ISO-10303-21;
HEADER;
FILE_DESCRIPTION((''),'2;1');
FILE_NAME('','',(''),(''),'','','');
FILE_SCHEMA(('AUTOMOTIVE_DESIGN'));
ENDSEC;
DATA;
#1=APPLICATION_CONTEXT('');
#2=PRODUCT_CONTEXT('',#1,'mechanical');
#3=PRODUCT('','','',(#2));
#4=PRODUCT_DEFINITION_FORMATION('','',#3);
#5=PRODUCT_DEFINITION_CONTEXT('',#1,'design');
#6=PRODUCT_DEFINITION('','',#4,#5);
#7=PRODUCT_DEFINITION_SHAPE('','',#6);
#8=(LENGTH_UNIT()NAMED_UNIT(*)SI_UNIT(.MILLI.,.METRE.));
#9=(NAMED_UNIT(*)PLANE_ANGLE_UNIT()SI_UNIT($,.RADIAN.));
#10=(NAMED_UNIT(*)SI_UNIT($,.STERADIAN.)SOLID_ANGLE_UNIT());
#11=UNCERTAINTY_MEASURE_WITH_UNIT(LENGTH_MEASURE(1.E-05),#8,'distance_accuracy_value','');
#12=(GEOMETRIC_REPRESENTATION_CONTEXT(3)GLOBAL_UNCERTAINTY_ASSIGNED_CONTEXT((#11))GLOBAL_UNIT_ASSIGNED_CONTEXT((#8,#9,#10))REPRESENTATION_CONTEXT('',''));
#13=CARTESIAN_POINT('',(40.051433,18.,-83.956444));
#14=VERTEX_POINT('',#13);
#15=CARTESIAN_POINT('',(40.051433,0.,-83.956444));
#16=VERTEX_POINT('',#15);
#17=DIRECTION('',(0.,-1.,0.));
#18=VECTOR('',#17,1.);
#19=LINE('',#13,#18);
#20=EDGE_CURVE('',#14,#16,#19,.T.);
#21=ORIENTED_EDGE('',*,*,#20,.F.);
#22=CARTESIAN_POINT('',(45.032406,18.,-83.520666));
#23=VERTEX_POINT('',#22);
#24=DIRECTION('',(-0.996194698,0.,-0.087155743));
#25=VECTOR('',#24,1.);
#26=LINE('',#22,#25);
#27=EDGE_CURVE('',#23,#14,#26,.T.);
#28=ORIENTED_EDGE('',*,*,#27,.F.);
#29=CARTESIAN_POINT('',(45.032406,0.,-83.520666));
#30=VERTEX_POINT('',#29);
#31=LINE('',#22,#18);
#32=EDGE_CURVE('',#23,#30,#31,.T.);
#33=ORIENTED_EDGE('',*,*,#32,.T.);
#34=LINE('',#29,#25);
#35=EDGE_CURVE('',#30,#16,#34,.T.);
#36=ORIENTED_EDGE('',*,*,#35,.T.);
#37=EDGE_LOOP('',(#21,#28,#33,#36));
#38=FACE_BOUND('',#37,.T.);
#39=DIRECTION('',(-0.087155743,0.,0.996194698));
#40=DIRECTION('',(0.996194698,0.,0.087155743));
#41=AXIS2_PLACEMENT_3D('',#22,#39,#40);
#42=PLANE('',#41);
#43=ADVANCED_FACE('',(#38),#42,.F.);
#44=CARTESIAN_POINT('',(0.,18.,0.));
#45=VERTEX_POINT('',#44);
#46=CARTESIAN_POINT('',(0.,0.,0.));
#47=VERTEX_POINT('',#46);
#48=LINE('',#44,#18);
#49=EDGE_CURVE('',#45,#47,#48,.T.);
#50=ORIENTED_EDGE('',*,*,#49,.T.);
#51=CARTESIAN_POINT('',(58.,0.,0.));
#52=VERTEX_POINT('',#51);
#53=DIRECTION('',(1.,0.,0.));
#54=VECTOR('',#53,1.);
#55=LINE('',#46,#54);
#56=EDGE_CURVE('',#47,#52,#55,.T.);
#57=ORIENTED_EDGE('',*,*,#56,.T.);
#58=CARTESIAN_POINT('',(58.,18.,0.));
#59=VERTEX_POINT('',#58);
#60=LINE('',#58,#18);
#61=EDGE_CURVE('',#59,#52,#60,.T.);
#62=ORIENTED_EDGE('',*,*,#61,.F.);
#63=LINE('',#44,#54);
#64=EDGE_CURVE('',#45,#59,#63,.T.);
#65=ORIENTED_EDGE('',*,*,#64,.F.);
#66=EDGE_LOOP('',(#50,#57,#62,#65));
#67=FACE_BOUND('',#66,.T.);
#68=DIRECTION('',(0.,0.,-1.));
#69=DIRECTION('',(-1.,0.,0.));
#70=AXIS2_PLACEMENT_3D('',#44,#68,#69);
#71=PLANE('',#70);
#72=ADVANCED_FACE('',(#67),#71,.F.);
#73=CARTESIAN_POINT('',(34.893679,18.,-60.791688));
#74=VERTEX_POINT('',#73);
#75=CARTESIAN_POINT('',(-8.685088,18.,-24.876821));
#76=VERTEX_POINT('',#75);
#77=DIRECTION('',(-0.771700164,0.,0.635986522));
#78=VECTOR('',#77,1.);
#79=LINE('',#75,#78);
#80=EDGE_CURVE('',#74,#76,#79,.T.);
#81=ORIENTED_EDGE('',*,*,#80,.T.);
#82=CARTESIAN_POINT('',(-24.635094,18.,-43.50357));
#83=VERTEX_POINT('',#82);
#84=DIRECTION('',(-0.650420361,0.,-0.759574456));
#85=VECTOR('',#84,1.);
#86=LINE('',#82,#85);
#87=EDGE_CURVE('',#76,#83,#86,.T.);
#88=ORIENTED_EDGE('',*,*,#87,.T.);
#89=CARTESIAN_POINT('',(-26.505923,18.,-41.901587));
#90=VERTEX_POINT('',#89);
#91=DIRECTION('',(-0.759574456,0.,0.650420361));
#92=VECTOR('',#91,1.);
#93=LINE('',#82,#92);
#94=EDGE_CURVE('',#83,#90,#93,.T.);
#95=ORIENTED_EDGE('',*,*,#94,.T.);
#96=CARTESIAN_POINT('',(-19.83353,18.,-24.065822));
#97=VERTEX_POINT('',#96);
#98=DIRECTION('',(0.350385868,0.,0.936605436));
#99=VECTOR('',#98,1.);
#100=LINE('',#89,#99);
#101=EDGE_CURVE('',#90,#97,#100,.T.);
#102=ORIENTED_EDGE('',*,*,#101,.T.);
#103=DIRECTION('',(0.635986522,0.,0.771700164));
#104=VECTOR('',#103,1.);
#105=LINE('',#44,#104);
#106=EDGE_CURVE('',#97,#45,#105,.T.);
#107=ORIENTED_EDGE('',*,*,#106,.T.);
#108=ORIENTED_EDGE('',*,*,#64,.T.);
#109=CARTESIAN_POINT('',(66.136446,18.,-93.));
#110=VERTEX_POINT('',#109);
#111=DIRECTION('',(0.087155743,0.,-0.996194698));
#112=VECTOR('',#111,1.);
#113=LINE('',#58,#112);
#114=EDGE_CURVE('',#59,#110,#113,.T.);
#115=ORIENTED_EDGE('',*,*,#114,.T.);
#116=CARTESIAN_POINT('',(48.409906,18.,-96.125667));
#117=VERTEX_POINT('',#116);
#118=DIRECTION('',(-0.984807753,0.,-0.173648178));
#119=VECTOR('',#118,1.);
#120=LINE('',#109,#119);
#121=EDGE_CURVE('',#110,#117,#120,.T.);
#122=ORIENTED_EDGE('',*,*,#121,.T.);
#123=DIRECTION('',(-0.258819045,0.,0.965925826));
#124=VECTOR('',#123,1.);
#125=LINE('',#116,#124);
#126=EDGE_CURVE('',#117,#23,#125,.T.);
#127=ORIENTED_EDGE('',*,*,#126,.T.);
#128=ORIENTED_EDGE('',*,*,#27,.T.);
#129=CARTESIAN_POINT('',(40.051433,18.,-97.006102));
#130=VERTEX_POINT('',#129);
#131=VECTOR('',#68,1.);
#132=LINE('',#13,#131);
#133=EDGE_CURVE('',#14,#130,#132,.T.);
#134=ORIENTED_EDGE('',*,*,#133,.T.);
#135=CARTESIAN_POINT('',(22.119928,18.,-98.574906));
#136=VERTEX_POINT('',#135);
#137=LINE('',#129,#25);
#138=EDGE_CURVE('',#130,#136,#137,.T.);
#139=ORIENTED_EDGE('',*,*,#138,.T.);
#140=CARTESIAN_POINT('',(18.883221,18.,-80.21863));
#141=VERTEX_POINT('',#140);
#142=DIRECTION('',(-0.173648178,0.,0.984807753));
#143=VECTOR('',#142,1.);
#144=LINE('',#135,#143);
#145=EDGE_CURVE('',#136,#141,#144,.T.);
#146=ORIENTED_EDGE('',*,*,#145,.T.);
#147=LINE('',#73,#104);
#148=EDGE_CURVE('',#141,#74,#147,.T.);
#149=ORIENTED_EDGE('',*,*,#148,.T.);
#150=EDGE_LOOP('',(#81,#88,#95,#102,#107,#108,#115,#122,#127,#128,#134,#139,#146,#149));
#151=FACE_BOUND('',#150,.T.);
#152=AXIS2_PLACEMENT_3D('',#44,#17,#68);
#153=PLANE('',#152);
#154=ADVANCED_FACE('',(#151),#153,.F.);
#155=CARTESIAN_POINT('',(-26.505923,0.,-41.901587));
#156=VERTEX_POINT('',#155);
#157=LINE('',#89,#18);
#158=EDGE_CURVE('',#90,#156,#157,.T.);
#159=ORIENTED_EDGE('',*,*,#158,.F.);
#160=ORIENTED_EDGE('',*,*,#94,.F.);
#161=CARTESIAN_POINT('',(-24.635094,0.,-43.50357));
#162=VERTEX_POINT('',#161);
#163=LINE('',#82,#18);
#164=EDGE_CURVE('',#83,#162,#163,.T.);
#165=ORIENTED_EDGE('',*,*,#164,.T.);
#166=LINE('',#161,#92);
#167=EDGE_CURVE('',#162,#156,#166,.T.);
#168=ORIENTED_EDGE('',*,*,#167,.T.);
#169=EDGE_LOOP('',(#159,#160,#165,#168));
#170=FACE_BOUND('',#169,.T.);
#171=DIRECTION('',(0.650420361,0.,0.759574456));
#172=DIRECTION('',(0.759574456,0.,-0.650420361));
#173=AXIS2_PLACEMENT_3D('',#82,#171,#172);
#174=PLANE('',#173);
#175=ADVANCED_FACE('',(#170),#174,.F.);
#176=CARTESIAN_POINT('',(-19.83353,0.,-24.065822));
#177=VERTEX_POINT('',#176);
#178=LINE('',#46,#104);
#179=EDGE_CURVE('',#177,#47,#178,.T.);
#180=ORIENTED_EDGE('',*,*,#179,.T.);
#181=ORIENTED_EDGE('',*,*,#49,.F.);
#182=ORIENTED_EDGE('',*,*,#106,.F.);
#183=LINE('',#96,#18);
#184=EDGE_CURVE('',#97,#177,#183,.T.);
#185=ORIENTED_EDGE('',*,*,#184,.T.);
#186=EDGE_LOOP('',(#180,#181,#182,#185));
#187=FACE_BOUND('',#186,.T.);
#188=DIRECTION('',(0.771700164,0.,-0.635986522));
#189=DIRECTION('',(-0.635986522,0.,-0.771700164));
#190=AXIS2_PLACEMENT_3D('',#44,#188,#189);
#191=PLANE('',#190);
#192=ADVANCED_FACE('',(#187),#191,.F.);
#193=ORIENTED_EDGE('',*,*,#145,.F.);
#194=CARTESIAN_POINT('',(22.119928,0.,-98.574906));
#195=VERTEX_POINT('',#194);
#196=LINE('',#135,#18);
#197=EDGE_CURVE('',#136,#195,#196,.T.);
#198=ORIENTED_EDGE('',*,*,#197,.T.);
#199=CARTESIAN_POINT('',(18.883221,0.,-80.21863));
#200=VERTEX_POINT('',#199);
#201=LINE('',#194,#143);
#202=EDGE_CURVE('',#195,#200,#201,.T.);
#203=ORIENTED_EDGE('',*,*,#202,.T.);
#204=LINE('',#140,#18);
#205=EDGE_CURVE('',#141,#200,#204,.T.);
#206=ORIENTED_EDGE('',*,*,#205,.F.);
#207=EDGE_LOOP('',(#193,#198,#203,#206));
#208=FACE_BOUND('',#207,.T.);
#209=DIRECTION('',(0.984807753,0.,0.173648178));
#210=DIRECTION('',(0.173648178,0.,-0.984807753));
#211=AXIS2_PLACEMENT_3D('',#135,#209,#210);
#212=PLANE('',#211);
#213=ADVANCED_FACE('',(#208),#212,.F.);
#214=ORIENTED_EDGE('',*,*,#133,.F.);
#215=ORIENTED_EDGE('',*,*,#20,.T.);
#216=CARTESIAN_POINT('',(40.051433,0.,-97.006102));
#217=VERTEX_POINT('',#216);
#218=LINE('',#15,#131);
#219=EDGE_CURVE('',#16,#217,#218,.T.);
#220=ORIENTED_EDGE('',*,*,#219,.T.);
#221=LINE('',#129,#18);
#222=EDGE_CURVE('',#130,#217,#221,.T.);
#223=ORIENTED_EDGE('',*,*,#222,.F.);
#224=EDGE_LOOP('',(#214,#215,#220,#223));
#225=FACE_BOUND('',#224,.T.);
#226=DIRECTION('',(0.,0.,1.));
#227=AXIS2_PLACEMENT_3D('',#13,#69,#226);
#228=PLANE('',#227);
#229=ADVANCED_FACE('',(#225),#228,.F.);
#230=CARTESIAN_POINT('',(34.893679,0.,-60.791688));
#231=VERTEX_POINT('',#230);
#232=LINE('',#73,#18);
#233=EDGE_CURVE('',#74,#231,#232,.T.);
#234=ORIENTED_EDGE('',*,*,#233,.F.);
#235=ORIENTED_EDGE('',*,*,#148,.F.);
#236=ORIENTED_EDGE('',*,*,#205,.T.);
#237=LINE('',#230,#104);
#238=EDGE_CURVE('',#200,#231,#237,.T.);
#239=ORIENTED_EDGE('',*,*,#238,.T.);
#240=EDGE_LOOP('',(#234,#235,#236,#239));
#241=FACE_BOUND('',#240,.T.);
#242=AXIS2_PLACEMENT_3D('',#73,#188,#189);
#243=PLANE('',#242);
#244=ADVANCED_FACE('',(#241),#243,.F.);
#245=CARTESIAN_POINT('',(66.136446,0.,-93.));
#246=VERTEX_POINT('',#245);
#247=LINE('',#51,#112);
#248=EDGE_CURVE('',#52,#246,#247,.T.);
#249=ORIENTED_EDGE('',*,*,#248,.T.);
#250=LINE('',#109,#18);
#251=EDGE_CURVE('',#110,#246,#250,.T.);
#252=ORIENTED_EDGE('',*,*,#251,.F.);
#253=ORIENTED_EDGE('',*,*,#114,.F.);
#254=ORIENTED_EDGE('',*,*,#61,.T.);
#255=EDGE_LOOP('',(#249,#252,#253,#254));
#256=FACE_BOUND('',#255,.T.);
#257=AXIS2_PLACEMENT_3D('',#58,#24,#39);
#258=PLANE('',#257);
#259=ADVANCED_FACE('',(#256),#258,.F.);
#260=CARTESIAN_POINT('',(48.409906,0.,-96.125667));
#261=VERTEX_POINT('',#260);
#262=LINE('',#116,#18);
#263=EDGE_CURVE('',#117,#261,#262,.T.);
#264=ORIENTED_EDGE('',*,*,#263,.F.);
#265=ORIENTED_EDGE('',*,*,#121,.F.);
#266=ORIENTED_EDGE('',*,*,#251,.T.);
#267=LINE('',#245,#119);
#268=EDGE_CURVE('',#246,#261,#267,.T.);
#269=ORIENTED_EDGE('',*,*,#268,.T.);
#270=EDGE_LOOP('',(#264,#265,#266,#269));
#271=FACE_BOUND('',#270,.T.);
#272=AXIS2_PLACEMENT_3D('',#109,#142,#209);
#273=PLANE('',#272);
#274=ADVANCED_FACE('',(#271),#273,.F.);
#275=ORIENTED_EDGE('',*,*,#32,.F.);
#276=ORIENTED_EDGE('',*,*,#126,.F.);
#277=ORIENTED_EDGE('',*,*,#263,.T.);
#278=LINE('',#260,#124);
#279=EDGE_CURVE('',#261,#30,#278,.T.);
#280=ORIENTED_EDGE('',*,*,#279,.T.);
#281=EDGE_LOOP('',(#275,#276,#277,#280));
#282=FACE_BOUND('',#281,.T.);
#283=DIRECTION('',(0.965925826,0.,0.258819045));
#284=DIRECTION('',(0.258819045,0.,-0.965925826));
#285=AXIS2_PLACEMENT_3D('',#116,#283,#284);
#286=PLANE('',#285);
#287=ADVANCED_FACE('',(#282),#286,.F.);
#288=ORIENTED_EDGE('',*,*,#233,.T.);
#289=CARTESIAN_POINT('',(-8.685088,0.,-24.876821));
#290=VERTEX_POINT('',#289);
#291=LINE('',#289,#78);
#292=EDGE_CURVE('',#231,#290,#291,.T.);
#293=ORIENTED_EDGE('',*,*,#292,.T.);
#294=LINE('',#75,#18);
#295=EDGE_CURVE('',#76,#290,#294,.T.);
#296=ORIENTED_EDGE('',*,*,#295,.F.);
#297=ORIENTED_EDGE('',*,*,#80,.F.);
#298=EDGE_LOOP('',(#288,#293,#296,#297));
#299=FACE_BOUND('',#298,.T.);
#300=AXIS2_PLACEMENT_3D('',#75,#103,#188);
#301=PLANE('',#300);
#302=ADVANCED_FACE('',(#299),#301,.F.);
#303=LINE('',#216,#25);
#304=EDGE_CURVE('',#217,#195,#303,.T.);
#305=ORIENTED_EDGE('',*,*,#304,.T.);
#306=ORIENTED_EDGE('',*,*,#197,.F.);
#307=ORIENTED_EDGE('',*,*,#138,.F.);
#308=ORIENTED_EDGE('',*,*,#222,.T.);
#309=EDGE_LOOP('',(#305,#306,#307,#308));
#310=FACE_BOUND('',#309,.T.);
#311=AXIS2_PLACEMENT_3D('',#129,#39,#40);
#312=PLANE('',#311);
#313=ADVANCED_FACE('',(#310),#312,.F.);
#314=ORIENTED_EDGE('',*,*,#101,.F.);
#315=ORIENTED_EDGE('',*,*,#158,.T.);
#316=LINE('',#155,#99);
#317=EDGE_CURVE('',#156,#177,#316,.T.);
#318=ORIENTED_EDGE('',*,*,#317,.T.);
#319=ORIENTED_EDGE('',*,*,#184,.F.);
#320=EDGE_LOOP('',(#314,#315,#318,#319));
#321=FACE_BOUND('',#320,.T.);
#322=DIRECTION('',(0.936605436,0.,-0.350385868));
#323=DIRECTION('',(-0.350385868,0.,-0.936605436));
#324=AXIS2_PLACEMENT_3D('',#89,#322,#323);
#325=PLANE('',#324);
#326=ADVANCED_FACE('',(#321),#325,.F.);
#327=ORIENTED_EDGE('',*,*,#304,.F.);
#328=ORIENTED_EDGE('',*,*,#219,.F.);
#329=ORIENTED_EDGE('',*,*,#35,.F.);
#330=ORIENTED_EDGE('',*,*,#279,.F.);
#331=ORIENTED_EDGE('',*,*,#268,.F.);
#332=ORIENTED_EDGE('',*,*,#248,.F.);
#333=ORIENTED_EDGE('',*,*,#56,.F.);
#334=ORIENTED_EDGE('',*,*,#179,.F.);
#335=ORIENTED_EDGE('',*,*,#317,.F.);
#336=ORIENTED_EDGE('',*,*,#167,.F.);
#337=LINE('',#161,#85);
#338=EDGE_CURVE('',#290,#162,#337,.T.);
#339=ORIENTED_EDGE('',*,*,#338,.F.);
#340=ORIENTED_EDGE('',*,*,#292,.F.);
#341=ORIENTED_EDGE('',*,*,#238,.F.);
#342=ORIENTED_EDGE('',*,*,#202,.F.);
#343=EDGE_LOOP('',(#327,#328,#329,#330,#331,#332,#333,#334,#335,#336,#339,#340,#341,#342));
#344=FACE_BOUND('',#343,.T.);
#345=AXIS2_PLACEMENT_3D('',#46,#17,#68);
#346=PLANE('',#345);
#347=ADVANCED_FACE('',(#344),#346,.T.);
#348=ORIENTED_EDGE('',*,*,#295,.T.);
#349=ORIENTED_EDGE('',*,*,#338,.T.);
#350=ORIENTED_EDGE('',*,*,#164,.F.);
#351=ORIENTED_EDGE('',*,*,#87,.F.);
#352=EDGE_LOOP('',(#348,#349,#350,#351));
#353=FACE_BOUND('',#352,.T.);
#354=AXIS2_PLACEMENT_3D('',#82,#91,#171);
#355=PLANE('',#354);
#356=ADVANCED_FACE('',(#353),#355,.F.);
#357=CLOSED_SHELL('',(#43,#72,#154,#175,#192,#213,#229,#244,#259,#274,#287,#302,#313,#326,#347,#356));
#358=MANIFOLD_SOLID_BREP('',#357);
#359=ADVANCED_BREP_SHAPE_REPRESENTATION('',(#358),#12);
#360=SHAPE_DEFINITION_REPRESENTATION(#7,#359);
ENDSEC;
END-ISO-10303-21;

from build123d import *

# Parameters (mm, degrees)
EXTRUDE_1_DEPTH = 18


with BuildPart() as part:
    # 草图1 → 凸台-拉伸1 (new body)
    with BuildSketch(Plane(origin=(0, 0, 0), x_dir=(1, 0, 0), z_dir=(0, 1, 0))):
        Polygon((0, 0), (58, 0), (66.136445708, 93), (48.409906154, 96.125667198), (45.03240616, 83.52066562), (40.05143267, 83.956444333), (40.05143267, 97.006102221), (22.119928104, 98.574905591), (18.883221447, 80.218629971), (34.893679486, 60.79168826), (-8.685088493, 24.87682083), (-24.635093999, 43.503569762), (-26.50592326, 41.901586661), (-19.833529743, 24.065821558), align=None)
    extrude(amount=EXTRUDE_1_DEPTH)


solid = part.part
